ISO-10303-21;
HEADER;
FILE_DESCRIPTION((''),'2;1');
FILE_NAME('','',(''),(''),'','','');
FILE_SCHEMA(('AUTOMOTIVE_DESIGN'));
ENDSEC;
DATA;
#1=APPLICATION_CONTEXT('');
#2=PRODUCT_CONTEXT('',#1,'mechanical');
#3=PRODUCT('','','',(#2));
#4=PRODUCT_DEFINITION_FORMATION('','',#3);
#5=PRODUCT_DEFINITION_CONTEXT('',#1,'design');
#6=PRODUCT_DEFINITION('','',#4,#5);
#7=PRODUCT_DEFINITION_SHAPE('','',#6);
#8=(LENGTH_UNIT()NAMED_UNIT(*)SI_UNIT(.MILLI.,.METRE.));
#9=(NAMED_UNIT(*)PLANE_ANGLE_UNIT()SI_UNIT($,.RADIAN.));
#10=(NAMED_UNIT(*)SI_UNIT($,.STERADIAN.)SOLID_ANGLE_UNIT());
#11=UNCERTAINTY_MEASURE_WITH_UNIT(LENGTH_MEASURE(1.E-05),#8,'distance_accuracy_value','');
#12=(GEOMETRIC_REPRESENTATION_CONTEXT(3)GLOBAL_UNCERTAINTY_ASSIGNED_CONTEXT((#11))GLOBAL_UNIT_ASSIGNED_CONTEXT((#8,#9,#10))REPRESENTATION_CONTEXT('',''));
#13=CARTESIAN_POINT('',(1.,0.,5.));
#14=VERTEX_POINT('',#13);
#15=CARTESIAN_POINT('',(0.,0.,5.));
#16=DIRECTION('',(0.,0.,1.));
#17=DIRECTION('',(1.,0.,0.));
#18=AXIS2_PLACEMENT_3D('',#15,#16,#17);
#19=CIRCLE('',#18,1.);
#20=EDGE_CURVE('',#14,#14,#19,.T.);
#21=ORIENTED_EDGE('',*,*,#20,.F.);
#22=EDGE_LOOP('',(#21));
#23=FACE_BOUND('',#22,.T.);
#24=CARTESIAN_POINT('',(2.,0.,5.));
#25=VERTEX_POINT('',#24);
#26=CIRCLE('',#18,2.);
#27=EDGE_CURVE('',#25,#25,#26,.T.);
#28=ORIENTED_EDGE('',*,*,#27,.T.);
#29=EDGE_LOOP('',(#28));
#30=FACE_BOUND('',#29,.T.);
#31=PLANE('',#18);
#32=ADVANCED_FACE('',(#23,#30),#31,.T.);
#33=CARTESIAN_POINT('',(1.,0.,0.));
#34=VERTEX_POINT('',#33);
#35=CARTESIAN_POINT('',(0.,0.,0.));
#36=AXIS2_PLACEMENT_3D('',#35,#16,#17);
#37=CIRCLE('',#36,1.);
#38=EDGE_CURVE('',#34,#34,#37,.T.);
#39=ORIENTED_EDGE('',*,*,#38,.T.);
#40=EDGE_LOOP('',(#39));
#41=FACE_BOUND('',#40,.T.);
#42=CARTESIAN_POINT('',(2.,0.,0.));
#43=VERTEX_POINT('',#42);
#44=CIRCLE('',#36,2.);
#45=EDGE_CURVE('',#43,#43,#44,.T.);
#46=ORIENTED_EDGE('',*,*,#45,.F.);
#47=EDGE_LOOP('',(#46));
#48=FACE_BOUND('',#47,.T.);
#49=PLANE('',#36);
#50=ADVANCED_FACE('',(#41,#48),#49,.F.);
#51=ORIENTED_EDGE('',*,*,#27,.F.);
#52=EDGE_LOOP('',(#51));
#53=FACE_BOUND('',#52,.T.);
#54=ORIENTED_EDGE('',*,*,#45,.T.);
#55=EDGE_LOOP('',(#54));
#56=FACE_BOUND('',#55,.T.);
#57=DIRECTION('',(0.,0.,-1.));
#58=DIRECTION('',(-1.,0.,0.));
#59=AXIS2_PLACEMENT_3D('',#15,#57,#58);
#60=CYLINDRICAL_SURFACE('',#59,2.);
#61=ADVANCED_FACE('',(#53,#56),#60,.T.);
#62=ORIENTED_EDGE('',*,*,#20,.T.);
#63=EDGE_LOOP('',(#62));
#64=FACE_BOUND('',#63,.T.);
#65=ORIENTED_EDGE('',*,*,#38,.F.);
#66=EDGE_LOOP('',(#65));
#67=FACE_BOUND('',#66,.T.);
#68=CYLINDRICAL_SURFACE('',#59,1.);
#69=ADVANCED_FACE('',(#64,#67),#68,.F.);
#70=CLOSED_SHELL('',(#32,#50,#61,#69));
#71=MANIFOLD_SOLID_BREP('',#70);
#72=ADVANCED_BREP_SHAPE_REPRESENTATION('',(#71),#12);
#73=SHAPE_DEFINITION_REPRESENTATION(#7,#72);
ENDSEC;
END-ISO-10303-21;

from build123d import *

# Parameters (mm, degrees)
BASE_SKETCH_R     = 2
BASE_SKETCH_R_2   = 1
EXTRUDE_PIN_DEPTH = 5


with BuildPart() as part:
    # Base Sketch → Extrude Pin (new body)
    with BuildSketch(Plane.XY):
        Circle(BASE_SKETCH_R)
        Circle(BASE_SKETCH_R_2, mode=Mode.SUBTRACT)
    extrude(amount=EXTRUDE_PIN_DEPTH)


solid = part.part
